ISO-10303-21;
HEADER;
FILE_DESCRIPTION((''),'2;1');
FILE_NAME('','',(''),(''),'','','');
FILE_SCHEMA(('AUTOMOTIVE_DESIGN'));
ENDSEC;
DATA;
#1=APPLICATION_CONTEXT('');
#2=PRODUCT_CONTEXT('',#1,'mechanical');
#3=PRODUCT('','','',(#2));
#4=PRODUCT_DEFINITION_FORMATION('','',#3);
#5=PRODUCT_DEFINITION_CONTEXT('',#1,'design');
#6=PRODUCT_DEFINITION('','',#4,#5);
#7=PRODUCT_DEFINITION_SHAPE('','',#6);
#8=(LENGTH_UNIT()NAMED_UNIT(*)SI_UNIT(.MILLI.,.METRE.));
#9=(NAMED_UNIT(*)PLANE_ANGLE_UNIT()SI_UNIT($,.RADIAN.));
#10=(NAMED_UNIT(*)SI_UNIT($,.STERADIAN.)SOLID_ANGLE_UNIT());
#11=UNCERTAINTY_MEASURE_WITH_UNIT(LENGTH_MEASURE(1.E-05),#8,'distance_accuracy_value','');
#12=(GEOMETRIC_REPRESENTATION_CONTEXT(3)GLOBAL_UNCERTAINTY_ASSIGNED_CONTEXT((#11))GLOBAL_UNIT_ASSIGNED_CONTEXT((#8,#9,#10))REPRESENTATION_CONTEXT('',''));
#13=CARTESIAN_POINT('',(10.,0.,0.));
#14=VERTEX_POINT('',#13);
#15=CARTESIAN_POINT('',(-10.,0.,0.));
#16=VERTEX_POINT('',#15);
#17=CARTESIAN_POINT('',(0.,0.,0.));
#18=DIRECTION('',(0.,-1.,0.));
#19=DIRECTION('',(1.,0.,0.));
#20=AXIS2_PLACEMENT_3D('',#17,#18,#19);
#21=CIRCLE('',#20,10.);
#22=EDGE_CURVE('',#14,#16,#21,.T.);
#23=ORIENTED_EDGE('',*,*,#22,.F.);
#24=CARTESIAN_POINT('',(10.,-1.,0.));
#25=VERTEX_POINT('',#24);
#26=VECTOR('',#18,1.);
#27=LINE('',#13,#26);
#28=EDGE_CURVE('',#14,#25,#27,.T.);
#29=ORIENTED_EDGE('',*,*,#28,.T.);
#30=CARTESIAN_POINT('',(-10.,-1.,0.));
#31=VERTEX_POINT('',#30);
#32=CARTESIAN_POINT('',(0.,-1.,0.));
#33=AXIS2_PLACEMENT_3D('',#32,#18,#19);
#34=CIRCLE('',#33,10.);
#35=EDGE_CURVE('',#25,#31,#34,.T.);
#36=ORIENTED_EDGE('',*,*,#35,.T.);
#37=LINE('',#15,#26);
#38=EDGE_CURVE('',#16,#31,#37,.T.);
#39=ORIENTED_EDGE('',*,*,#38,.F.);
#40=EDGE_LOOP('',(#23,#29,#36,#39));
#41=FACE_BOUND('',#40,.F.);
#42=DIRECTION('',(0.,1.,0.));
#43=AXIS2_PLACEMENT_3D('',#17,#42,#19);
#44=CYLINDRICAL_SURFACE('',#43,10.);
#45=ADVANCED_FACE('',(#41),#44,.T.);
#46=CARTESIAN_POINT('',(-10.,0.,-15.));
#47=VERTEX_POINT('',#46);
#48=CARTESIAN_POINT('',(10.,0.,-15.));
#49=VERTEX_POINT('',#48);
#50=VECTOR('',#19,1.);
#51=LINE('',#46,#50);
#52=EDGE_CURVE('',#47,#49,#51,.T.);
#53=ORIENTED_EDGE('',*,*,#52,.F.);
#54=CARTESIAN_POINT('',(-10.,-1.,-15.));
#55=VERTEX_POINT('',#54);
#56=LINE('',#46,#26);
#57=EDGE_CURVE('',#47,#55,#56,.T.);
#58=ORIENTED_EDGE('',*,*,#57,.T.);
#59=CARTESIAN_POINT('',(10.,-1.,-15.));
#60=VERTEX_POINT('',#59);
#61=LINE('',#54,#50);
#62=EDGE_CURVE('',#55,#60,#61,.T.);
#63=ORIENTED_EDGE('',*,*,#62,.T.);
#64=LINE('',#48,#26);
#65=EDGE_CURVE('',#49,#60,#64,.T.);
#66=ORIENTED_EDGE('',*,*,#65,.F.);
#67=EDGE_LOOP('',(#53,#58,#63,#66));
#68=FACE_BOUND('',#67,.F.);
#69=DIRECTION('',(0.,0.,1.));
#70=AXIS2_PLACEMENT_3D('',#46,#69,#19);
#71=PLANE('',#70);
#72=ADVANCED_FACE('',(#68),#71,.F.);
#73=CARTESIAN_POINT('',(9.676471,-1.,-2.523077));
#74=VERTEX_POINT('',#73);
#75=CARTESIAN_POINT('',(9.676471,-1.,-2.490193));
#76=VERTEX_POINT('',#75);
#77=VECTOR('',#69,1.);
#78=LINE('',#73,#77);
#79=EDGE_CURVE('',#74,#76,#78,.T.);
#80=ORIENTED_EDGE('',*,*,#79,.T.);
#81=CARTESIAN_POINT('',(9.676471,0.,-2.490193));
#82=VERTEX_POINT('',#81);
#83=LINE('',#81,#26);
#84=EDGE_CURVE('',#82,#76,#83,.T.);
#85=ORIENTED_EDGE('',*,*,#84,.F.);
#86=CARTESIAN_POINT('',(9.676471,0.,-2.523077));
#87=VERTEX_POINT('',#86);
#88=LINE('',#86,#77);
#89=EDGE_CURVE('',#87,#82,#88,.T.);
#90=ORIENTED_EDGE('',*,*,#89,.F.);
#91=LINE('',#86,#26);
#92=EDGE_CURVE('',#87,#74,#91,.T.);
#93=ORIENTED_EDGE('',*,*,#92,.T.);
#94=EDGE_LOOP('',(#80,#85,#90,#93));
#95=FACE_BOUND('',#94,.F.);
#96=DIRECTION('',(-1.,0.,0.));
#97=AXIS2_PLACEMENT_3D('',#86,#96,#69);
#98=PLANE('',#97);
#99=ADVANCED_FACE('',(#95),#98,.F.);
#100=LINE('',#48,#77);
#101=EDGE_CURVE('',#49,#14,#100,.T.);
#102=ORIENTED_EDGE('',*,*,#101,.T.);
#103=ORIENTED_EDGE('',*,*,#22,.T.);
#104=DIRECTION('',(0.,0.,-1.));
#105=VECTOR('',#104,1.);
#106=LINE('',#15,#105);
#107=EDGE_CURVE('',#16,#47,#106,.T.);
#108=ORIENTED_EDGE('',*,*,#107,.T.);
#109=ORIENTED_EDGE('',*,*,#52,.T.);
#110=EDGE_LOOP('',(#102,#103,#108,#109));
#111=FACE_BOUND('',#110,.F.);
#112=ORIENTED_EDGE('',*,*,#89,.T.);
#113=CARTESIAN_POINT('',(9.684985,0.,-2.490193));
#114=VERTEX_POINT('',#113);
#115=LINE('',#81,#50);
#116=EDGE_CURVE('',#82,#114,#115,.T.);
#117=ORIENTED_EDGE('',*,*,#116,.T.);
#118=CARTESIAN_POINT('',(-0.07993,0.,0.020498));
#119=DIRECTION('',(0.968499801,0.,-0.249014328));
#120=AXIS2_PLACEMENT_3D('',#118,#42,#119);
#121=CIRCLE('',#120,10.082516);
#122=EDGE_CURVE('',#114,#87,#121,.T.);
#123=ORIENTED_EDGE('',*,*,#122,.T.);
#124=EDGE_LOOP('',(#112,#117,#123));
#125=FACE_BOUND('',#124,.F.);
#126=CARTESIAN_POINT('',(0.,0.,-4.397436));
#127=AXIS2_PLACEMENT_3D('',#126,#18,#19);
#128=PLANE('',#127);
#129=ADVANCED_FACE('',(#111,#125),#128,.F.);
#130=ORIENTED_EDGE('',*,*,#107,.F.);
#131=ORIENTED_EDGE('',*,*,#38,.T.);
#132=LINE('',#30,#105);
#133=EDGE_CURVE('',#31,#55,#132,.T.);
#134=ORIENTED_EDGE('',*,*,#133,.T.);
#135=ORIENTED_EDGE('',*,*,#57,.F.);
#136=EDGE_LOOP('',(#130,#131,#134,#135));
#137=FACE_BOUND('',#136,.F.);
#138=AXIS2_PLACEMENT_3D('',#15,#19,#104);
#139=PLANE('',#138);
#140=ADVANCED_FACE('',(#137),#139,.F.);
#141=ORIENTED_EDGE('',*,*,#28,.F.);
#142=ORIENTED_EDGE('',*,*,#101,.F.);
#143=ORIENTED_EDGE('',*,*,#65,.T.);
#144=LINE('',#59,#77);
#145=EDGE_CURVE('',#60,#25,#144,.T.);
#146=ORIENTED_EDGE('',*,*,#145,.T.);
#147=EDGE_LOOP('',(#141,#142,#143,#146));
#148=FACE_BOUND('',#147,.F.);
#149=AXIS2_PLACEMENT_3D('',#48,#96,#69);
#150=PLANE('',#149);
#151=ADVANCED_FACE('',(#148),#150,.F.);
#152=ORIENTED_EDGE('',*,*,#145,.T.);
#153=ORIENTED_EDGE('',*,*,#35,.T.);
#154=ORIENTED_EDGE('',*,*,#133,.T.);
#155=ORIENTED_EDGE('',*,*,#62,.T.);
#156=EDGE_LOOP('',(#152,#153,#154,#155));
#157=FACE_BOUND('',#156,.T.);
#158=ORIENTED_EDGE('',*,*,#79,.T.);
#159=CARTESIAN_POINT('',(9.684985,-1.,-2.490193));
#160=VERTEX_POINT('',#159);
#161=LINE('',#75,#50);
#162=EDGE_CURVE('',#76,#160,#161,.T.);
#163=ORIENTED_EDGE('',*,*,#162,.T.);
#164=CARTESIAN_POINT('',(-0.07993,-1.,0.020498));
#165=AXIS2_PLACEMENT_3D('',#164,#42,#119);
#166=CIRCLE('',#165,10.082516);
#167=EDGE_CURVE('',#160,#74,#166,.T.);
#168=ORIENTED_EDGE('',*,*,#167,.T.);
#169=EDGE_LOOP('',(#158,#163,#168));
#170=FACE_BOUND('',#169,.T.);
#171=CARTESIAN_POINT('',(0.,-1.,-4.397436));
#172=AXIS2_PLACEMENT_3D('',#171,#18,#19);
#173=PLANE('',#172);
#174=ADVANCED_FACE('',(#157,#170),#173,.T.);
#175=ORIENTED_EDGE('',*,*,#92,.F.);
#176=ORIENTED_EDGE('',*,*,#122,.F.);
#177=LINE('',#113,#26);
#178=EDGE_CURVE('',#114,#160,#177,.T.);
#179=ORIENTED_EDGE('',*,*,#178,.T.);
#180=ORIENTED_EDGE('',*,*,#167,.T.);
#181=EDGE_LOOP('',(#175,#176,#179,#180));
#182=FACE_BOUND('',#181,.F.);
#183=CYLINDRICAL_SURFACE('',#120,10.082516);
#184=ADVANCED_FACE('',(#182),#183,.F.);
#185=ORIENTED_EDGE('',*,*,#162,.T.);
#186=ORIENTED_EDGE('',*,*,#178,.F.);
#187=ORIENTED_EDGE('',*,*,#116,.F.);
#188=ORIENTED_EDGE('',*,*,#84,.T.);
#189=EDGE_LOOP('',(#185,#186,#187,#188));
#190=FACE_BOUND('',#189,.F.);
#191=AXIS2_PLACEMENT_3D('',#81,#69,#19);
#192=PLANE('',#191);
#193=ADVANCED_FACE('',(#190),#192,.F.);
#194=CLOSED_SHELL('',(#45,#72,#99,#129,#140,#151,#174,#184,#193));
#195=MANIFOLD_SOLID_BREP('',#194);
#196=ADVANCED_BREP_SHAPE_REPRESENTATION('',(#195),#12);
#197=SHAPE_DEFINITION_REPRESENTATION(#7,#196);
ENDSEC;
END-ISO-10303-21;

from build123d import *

# Parameters (mm, degrees)
F1_DEPTH = 1


with BuildPart() as f1:
    # F0 (on Front) → F1 (new body)
    with BuildSketch(Plane.XZ):
        with BuildLine():
            Line((10, -15), (10, 0))
            ThreePointArc((10, 0), (0, 10), (-10, 0))
            Line((-10, 0), (-10, -15))
            Line((-10, -15), (10, -15))
        make_face()
        with BuildLine():
            ThreePointArc((9.684985, -2.490193), (9.680742, -2.506638), (9.676471, -2.523077))
            Line((9.676471, -2.523077), (9.676471, -2.490193))
            Line((9.676471, -2.490193), (9.684985, -2.490193))
        make_face(mode=Mode.SUBTRACT)
    extrude(amount=F1_DEPTH)


solid = f1.part
